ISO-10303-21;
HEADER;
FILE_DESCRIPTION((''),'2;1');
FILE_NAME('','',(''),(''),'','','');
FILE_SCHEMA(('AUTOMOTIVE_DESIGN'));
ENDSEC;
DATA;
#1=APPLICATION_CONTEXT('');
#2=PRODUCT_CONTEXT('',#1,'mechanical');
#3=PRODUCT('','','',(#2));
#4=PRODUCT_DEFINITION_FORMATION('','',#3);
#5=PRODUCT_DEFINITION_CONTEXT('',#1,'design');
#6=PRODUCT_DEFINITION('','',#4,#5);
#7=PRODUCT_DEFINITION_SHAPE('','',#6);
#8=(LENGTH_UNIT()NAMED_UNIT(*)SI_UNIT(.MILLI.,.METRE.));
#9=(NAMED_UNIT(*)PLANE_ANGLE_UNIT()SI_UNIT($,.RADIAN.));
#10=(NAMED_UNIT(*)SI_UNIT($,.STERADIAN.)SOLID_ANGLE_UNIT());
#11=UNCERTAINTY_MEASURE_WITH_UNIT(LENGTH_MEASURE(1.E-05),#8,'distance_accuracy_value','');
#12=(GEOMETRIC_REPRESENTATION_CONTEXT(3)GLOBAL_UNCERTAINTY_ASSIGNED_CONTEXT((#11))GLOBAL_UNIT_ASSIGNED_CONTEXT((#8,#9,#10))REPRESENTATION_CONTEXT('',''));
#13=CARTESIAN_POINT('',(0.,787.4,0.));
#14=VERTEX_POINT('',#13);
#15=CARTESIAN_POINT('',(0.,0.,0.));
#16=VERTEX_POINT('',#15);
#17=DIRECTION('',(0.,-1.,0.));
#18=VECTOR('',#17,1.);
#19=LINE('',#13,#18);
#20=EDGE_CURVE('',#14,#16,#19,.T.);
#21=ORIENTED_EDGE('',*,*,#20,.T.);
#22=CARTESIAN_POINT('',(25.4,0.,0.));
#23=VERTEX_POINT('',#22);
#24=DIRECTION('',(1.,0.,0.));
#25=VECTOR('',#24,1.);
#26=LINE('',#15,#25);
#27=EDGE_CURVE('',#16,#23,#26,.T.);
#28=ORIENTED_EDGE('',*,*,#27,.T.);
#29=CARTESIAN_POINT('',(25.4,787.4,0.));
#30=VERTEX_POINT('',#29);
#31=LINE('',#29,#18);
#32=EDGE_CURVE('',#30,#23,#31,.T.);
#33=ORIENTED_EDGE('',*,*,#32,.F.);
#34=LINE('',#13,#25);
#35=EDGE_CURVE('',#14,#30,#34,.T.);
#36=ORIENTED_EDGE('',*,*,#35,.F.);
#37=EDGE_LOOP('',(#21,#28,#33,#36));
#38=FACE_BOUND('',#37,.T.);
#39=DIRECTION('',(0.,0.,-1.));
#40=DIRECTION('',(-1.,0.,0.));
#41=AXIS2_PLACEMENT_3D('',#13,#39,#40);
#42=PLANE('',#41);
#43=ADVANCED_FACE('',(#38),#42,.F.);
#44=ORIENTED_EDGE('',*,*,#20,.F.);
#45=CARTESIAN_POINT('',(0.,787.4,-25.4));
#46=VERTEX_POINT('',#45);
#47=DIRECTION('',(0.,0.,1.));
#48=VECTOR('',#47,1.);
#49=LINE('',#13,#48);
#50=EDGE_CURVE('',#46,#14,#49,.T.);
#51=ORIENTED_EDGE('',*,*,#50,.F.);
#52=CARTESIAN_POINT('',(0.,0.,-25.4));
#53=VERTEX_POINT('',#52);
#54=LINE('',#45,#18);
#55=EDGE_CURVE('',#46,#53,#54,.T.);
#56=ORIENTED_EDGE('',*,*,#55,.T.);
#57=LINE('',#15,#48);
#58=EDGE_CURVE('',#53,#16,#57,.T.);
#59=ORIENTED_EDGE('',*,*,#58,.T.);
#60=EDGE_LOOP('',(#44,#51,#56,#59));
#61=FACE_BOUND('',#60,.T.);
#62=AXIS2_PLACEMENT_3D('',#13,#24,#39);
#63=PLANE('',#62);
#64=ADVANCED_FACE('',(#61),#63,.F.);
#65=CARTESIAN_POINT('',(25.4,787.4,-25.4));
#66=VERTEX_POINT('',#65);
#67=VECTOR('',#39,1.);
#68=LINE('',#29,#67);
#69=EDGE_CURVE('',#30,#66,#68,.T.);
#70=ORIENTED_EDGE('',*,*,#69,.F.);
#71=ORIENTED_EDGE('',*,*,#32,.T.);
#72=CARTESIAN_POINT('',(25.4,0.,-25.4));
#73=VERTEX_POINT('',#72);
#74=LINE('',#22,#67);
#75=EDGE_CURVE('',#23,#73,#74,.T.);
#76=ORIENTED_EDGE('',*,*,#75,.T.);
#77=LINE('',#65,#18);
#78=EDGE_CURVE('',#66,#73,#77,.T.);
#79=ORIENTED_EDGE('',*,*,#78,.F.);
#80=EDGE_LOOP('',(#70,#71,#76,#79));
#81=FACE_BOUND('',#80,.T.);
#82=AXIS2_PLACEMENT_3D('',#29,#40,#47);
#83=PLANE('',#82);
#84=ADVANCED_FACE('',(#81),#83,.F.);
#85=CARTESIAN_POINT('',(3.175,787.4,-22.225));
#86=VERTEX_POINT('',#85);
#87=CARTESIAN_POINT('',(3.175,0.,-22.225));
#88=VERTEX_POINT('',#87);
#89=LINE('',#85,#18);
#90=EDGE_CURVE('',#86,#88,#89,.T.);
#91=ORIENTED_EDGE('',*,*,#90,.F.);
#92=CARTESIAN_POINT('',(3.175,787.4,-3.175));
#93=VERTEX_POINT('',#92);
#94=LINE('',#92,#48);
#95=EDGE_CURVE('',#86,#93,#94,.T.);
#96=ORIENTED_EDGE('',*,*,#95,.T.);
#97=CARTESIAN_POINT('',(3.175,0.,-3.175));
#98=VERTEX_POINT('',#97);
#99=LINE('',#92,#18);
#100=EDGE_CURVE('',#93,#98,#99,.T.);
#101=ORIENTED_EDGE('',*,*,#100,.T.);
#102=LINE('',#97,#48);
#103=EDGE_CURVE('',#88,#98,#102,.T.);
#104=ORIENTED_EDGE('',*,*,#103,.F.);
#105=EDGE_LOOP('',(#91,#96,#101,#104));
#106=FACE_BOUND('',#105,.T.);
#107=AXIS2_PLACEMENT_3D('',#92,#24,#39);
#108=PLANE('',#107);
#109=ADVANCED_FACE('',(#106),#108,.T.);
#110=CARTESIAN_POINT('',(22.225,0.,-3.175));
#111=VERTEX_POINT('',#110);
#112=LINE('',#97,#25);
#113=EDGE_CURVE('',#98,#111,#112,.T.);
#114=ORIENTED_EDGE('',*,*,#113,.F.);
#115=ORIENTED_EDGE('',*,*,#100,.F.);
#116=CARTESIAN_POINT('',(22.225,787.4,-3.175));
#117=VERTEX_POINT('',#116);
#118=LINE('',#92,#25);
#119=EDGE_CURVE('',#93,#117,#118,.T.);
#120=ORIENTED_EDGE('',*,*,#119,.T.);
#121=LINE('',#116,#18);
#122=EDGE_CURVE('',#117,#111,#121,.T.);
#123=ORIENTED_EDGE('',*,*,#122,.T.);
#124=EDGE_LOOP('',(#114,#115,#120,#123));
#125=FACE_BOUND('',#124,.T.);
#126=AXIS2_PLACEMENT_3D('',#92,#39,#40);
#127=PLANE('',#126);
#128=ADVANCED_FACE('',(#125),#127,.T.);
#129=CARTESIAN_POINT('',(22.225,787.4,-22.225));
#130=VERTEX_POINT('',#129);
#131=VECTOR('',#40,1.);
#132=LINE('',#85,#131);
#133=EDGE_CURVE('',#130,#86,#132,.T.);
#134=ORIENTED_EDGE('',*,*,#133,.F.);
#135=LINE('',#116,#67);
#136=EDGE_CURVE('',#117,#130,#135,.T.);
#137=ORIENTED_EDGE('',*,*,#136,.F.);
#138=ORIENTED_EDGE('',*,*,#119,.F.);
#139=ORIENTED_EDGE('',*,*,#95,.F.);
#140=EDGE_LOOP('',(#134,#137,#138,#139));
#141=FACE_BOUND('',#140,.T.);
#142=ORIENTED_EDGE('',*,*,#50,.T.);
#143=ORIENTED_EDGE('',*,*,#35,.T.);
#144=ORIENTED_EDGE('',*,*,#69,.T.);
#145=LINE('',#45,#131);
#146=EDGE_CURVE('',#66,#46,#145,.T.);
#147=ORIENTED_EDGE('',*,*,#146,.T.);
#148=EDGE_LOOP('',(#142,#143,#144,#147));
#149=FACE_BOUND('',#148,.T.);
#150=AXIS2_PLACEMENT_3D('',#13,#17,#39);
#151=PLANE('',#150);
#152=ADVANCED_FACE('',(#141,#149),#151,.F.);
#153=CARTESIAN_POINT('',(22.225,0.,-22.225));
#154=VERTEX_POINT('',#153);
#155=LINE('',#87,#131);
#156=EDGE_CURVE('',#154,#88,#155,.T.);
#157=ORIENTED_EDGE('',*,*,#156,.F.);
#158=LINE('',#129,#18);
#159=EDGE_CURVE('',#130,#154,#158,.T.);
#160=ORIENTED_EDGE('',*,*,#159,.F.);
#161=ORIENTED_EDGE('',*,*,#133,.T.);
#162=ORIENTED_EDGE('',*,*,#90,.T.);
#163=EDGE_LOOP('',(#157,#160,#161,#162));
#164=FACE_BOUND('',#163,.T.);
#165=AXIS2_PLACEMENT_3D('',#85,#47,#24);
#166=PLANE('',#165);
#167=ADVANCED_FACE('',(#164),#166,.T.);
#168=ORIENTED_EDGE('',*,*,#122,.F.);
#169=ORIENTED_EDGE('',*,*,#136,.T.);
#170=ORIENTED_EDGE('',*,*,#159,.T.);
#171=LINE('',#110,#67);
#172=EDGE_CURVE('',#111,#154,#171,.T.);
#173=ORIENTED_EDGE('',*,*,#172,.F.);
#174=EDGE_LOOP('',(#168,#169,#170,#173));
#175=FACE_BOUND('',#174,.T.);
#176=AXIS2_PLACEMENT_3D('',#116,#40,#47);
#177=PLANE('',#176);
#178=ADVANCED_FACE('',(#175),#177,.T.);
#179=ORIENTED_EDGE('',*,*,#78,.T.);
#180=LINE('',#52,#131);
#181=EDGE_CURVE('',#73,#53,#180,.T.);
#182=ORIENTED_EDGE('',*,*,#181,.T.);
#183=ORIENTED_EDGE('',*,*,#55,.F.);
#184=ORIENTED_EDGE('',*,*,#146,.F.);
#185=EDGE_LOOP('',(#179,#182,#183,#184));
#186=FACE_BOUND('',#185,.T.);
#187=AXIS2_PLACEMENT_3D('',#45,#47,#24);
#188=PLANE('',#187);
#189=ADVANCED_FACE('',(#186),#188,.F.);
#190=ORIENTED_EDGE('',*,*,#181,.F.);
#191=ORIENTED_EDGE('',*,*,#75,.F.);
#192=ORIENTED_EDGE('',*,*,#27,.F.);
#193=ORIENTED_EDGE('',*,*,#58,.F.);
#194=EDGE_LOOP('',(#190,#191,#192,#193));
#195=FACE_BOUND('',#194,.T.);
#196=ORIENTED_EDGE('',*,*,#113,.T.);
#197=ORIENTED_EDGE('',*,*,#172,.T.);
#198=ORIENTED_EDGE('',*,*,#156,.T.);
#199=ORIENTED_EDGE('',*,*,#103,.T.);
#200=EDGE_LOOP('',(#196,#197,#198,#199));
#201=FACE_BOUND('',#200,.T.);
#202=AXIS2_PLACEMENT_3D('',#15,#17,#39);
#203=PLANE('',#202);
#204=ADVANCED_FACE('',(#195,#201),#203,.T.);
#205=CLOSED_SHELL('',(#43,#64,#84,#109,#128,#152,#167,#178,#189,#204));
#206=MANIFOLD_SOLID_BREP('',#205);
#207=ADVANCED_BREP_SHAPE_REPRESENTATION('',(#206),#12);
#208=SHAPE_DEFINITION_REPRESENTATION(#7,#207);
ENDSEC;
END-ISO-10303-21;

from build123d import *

# Parameters (mm, degrees)
SKETCH2_W           = 25.4
SKETCH2_H           = 25.4
SKETCH2_W_2         = 19.05
SKETCH2_H_2         = 19.05
BOSS_EXTRUDE1_DEPTH = 787.4


with BuildPart() as part:
    # Sketch2 → Boss-Extrude1 (new body)
    with BuildSketch(Plane(origin=(0, 0, 0), x_dir=(1, 0, 0), z_dir=(0, 1, 0))):
        with Locations((12.7, 12.7)):
            Rectangle(SKETCH2_W, SKETCH2_H)
        with Locations((12.7, 12.7)):
            Rectangle(SKETCH2_W_2, SKETCH2_H_2, mode=Mode.SUBTRACT)
    extrude(amount=BOSS_EXTRUDE1_DEPTH)


solid = part.part
